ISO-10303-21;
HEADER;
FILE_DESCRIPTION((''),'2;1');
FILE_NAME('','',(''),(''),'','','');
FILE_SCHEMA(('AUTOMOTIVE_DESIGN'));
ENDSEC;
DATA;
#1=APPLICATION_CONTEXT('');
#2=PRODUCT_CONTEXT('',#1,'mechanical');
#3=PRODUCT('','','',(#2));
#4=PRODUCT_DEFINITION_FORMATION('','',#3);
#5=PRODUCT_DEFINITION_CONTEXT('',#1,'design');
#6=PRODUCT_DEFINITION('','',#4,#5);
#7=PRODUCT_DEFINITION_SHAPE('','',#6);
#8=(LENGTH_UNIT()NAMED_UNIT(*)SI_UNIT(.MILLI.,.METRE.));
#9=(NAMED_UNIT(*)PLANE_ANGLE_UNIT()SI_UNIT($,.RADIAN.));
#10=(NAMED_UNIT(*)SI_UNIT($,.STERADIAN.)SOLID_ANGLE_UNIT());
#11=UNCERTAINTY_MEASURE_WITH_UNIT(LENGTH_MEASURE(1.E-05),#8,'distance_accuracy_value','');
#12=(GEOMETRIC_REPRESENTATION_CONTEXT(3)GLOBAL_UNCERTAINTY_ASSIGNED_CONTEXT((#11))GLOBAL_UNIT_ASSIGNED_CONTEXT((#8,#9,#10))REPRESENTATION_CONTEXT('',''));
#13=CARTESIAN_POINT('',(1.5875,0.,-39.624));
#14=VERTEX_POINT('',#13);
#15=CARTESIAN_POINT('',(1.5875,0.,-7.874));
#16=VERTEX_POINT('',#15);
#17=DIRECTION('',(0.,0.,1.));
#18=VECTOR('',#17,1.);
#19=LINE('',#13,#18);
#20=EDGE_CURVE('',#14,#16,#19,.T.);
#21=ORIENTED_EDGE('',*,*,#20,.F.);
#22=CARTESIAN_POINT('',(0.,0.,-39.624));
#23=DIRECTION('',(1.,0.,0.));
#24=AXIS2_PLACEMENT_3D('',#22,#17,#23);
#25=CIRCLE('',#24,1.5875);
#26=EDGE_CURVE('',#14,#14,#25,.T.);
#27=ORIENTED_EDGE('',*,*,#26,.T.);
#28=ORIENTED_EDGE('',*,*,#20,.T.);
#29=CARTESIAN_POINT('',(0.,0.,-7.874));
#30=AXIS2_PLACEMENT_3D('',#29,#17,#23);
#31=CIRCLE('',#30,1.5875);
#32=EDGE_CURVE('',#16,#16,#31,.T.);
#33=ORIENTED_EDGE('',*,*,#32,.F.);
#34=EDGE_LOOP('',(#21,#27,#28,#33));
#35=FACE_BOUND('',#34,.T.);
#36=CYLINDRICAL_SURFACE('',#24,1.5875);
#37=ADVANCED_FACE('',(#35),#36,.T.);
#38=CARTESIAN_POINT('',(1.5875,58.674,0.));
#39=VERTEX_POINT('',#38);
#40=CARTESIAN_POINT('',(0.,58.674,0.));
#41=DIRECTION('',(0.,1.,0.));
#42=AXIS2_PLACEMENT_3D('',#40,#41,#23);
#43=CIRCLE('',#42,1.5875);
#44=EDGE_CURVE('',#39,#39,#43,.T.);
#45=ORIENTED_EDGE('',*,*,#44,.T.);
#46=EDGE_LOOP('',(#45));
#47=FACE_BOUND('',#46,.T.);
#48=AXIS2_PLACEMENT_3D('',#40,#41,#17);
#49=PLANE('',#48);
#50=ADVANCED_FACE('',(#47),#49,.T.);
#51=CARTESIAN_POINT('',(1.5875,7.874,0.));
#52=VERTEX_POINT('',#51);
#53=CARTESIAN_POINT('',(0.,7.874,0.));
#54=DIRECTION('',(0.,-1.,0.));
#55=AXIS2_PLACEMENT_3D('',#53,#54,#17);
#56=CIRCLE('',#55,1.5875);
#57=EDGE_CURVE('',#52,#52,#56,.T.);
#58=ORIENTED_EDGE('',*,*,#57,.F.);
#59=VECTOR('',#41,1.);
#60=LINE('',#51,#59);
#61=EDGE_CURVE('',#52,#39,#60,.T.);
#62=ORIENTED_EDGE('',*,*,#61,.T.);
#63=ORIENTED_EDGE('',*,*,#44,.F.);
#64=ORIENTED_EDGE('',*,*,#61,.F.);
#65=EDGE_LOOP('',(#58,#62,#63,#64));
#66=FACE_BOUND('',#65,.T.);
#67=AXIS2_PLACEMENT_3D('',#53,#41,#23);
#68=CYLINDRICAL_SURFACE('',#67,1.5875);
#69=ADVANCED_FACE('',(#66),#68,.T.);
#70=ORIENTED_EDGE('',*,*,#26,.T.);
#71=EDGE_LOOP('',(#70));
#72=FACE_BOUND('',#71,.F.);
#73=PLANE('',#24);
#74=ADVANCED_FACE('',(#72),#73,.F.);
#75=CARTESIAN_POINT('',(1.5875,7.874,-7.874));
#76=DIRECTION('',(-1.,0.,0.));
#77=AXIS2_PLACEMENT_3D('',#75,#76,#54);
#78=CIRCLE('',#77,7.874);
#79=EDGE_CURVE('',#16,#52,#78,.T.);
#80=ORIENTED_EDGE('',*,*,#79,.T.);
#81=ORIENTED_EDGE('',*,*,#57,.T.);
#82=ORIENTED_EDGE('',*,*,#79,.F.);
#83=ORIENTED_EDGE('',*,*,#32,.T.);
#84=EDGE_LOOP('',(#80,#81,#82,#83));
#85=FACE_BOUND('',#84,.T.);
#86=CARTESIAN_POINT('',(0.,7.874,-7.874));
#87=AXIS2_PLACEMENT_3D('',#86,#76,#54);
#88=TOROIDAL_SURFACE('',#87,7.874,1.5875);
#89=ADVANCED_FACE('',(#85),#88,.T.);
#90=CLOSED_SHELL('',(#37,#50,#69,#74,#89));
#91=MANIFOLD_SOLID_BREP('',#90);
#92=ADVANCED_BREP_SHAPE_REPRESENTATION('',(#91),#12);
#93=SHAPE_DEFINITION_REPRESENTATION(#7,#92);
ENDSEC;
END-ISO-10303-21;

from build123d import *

# Parameters (mm, degrees)
F2_R = 1.5875


with BuildPart() as f3:
    # F3: sweep along a path in F0
    with BuildLine(Plane.YZ) as f3_path:
        Line((0, -39.624), (0, -7.874))
        ThreePointArc((0, -7.874), (2.3062412049, -2.3062412049), (7.874, 0))
        Line((7.874, 0), (58.674, 0))
    # F2 (on plane+point) → F3 (sweep)
    with BuildSketch(Plane.XY.offset(-39.624)):
        Circle(F2_R)
    sweep(path=f3_path.line)


solid = f3.part
